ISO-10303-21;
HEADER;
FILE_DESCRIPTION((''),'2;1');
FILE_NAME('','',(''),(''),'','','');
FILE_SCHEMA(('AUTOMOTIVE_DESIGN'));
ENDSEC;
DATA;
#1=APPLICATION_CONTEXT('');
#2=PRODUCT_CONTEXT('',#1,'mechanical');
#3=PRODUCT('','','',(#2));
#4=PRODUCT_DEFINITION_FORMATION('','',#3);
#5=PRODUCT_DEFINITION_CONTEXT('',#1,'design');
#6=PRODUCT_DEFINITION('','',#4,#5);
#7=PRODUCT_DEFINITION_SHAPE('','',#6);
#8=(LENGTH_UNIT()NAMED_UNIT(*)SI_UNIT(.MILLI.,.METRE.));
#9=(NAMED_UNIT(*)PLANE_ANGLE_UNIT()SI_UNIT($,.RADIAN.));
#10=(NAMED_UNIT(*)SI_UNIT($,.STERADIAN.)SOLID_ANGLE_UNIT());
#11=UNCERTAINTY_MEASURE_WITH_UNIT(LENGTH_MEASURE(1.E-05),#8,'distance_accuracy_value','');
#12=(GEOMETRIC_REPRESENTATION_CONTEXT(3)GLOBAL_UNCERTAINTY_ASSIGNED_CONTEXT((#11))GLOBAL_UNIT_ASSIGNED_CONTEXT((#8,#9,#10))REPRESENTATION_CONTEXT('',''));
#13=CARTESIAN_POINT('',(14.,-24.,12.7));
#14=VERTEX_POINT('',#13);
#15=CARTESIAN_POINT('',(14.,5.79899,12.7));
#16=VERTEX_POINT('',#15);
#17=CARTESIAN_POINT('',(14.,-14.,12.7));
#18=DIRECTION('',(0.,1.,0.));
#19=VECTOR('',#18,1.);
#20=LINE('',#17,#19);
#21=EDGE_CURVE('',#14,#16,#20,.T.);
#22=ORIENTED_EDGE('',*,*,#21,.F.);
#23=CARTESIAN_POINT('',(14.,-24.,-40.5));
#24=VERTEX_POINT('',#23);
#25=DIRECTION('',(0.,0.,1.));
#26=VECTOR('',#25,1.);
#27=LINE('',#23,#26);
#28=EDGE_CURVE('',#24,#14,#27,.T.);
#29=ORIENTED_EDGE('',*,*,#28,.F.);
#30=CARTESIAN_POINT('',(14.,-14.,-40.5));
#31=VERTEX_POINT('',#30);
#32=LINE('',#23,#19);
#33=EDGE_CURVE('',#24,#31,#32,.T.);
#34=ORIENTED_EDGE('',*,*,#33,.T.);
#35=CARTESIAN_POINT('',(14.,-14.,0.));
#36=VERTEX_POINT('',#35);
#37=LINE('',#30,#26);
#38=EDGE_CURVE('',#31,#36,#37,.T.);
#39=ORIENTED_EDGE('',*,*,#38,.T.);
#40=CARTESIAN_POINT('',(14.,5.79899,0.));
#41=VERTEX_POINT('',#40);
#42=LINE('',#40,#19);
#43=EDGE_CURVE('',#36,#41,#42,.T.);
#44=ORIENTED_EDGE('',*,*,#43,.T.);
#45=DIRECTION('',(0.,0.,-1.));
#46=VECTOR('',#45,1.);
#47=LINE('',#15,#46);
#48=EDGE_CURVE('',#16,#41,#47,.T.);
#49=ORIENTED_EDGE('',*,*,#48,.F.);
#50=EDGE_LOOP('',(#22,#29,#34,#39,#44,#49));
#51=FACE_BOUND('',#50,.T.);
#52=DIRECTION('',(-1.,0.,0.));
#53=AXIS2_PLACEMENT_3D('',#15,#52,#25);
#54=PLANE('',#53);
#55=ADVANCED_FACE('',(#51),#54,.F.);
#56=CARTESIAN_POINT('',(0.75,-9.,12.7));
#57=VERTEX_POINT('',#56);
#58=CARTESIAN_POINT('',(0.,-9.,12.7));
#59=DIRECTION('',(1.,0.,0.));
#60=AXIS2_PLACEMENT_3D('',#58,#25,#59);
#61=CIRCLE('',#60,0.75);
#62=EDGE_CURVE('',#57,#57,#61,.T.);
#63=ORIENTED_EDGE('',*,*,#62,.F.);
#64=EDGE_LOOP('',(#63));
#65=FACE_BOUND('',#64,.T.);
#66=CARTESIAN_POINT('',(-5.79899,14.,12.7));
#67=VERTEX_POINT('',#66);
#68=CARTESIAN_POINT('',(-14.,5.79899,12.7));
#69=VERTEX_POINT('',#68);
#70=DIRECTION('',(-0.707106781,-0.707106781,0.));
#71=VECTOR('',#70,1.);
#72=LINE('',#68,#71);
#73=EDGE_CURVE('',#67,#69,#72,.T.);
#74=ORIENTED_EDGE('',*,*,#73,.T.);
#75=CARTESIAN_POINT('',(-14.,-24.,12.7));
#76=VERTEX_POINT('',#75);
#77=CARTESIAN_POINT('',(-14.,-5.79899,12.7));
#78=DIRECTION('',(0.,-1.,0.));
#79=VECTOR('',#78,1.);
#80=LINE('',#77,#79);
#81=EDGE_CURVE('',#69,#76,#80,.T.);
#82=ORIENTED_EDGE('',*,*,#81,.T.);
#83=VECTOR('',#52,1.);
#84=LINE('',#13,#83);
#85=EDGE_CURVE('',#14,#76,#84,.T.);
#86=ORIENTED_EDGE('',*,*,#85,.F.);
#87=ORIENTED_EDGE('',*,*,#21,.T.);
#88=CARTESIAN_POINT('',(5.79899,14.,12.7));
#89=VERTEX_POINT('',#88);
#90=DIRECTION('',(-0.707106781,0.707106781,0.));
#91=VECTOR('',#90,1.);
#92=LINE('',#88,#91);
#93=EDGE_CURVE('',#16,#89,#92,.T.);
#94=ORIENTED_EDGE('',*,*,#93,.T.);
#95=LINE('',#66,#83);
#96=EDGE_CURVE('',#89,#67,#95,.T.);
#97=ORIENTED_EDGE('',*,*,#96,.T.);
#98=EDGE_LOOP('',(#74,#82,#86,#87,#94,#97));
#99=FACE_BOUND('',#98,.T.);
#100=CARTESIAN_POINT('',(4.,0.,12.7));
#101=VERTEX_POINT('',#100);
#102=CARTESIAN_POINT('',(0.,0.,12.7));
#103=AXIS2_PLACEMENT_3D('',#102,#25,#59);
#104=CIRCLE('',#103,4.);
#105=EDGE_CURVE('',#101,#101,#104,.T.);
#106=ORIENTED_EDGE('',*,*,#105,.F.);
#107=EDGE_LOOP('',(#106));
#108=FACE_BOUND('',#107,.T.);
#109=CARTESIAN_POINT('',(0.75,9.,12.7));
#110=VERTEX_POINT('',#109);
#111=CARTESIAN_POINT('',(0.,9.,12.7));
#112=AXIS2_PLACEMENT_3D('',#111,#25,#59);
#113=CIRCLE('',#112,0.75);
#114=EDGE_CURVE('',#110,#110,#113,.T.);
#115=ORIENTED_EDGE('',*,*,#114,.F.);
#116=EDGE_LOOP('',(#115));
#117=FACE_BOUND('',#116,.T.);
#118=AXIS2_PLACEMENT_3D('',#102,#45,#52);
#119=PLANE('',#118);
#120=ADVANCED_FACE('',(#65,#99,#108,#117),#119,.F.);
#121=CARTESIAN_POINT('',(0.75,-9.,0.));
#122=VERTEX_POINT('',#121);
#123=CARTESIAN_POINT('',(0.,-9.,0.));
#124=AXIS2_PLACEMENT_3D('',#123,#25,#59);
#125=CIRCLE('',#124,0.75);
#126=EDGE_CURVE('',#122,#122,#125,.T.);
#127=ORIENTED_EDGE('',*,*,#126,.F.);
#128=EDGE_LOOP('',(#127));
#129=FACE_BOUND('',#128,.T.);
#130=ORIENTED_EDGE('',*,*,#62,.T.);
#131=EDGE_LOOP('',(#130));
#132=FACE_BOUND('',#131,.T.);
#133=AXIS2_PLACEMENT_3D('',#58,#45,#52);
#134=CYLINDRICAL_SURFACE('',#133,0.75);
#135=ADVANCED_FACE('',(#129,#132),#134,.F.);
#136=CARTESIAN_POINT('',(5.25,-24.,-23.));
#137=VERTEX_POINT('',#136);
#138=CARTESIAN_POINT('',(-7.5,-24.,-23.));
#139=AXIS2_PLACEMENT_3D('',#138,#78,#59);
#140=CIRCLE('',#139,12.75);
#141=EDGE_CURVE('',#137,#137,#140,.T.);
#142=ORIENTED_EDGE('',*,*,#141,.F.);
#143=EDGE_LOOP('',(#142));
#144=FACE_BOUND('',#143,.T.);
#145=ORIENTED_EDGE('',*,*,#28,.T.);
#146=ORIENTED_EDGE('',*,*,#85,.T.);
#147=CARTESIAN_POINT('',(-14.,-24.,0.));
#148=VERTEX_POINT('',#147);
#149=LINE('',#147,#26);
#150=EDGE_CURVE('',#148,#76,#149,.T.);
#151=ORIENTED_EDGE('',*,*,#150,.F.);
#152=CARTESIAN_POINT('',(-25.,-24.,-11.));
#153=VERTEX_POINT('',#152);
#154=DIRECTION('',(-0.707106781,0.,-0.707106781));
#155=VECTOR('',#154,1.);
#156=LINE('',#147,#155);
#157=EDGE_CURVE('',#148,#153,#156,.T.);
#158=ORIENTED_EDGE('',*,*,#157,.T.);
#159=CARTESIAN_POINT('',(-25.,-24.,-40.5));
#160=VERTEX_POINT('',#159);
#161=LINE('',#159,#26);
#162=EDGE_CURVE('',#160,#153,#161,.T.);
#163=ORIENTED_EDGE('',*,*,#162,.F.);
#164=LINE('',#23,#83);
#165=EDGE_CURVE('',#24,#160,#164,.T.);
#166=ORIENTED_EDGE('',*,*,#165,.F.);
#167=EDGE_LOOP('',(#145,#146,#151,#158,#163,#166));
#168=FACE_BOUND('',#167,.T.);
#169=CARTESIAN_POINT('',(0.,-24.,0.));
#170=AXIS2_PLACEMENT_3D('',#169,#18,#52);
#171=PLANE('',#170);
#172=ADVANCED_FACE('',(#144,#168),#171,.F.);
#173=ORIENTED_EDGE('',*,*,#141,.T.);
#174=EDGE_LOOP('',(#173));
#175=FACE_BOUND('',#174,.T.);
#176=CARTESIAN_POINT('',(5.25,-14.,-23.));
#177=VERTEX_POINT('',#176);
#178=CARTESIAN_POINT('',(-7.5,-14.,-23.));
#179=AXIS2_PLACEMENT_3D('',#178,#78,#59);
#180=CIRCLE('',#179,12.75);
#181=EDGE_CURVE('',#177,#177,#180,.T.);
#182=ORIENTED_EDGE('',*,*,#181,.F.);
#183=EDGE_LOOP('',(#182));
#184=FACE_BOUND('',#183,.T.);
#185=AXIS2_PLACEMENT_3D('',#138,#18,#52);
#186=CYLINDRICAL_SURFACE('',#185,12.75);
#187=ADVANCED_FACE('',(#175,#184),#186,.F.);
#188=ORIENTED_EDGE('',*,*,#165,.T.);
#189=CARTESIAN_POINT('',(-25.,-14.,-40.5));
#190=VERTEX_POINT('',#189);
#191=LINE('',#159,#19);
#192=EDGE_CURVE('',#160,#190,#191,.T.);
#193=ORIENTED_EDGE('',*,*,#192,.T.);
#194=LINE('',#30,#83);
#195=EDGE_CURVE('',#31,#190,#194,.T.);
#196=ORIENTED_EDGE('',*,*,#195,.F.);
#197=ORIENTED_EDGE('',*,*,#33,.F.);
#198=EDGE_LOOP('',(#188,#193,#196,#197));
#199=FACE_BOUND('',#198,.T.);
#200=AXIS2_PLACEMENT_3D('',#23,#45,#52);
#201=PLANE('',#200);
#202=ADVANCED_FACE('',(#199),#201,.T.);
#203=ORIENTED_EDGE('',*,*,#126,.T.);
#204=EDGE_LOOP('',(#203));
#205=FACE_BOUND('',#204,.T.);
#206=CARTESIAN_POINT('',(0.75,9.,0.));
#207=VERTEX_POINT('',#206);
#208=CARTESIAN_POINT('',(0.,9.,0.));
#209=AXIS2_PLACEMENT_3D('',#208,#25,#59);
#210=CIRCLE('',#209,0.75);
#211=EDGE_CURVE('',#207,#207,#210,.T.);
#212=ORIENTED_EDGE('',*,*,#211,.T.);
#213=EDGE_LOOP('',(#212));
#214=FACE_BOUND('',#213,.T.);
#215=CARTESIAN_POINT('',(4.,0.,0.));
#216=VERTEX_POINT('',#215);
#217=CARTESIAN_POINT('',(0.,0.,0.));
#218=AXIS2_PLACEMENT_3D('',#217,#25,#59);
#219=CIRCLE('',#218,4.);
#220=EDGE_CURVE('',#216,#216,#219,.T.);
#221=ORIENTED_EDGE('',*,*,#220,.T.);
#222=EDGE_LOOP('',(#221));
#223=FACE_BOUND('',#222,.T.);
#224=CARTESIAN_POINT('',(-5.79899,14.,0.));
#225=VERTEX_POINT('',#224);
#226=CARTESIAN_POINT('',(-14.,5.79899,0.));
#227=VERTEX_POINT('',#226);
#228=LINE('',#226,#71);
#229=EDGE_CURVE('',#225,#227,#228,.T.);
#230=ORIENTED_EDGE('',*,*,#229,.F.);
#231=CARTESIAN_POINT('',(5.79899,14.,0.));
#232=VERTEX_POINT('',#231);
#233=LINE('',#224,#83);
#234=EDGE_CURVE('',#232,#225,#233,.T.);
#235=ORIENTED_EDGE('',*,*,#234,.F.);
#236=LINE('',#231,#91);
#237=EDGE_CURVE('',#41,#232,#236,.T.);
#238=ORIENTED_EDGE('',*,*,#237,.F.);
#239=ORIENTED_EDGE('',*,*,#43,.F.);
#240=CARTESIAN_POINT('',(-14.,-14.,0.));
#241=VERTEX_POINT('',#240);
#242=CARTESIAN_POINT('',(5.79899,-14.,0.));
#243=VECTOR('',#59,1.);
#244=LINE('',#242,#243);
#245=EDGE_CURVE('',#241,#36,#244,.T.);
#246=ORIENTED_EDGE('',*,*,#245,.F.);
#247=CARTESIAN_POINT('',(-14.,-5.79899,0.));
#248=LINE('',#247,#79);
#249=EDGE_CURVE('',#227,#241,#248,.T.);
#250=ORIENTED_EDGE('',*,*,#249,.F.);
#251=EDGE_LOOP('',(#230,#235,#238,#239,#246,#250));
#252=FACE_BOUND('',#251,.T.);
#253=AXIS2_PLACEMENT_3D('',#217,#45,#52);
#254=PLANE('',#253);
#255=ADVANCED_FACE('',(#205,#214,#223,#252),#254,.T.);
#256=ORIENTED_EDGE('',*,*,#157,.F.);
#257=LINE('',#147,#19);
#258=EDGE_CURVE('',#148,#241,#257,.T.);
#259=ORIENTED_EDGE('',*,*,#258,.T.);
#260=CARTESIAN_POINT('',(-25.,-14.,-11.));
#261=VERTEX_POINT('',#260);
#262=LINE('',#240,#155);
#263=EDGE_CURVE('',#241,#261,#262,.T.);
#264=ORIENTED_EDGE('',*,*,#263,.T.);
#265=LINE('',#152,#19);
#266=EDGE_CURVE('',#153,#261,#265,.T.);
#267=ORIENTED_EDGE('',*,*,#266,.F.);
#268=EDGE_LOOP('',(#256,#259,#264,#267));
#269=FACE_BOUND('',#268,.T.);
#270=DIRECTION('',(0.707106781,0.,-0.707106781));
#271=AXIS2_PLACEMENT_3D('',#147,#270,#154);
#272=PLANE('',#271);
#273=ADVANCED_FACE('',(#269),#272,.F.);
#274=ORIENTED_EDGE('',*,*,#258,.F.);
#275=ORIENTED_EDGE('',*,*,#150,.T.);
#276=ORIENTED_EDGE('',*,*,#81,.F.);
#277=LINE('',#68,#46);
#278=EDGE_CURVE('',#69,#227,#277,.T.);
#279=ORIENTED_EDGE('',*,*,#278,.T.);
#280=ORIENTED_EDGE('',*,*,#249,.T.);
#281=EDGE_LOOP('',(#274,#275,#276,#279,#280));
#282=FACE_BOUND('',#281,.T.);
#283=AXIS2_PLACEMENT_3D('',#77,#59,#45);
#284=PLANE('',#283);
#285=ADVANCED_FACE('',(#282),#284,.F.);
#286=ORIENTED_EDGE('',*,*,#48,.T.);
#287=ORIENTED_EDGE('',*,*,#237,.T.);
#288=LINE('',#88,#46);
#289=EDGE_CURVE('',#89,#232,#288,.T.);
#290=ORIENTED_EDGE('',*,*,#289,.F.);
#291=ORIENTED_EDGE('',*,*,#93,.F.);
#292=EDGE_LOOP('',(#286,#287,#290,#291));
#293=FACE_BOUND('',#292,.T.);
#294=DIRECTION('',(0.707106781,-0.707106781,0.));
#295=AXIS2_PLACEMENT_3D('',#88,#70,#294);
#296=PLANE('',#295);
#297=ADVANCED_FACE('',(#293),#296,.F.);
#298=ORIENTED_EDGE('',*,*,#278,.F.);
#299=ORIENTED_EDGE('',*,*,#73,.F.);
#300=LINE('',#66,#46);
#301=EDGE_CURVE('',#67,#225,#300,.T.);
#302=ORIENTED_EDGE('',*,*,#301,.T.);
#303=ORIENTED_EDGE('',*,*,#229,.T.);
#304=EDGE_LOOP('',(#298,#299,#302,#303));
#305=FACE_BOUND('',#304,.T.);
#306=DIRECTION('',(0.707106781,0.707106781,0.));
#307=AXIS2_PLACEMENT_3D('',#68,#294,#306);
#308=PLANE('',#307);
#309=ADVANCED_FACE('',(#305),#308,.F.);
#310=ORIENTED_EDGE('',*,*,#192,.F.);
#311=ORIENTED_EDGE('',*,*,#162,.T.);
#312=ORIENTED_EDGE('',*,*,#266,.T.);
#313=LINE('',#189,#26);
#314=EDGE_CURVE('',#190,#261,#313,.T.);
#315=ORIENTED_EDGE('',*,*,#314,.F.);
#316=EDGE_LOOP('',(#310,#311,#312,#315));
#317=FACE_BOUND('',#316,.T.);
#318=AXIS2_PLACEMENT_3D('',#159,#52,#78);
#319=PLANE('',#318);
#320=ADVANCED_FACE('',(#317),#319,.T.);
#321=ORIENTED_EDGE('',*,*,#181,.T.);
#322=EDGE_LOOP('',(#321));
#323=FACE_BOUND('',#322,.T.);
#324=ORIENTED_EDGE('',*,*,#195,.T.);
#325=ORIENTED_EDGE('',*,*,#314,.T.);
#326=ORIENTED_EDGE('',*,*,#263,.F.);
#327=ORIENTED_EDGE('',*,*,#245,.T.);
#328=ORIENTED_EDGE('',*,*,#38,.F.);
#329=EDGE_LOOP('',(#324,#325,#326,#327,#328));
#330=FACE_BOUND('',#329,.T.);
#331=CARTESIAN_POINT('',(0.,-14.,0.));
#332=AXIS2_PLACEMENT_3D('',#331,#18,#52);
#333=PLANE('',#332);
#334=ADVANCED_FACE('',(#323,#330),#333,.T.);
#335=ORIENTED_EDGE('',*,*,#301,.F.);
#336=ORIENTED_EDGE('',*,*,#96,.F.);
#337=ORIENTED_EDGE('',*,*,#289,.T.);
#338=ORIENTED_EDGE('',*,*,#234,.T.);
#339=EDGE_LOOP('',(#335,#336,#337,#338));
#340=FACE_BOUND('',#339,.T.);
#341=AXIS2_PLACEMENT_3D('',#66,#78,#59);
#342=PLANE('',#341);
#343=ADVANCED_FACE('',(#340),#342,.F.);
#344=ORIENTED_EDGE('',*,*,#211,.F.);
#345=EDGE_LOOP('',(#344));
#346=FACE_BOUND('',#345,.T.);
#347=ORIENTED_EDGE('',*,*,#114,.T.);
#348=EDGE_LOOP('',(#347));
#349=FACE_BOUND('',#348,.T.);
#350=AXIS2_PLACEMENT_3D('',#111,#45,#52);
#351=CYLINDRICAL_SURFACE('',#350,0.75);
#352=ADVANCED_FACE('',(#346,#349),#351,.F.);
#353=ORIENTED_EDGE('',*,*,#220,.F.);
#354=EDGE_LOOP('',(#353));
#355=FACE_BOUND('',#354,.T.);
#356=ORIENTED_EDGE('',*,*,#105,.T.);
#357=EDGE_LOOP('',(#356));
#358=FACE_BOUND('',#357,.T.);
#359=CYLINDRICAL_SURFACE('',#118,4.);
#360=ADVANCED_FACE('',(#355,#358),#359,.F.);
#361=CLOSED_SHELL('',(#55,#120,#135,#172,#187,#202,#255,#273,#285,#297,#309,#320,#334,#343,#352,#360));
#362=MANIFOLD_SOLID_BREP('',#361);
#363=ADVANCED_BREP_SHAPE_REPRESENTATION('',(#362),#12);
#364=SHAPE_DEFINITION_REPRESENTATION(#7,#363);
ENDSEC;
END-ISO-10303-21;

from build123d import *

# Parameters (mm, degrees)
SKETCH1_R           = 4
SKETCH1_R_2         = 0.75
BOSS_EXTRUDE1_DEPTH = 12.7
SKETCH2_R           = 12.75
BOSS_EXTRUDE2_DEPTH = 10


with BuildPart() as part:
    # Sketch1 → Boss-Extrude1 (new body)
    with BuildSketch(Plane.XY):
        Polygon((-5.798989873, 14), (5.798989873, 14), (14, 5.798989873), (14, -5.798989873), (14, -14), (5.798989873, -14), (-5.798989873, -14), (-14, -14), (-14, -5.798989873), (-14, 5.798989873), align=None)
        Circle(SKETCH1_R, mode=Mode.SUBTRACT)
        with Locations((0, 9)):
            Circle(SKETCH1_R_2, mode=Mode.SUBTRACT)
        with Locations((0, -9)):
            Circle(SKETCH1_R_2, mode=Mode.SUBTRACT)
    extrude(amount=BOSS_EXTRUDE1_DEPTH)

    # Sketch2 → Boss-Extrude2 (add)
    with BuildSketch(Plane.XZ.offset(14)):
        Polygon((14, 12.7), (-14, 12.7), (-14, 0), (-25, -11), (-25, -40.5), (14, -40.5), align=None)
        with Locations((-7.5, -23)):
            Circle(SKETCH2_R, mode=Mode.SUBTRACT)
    extrude(amount=BOSS_EXTRUDE2_DEPTH)


solid = part.part
